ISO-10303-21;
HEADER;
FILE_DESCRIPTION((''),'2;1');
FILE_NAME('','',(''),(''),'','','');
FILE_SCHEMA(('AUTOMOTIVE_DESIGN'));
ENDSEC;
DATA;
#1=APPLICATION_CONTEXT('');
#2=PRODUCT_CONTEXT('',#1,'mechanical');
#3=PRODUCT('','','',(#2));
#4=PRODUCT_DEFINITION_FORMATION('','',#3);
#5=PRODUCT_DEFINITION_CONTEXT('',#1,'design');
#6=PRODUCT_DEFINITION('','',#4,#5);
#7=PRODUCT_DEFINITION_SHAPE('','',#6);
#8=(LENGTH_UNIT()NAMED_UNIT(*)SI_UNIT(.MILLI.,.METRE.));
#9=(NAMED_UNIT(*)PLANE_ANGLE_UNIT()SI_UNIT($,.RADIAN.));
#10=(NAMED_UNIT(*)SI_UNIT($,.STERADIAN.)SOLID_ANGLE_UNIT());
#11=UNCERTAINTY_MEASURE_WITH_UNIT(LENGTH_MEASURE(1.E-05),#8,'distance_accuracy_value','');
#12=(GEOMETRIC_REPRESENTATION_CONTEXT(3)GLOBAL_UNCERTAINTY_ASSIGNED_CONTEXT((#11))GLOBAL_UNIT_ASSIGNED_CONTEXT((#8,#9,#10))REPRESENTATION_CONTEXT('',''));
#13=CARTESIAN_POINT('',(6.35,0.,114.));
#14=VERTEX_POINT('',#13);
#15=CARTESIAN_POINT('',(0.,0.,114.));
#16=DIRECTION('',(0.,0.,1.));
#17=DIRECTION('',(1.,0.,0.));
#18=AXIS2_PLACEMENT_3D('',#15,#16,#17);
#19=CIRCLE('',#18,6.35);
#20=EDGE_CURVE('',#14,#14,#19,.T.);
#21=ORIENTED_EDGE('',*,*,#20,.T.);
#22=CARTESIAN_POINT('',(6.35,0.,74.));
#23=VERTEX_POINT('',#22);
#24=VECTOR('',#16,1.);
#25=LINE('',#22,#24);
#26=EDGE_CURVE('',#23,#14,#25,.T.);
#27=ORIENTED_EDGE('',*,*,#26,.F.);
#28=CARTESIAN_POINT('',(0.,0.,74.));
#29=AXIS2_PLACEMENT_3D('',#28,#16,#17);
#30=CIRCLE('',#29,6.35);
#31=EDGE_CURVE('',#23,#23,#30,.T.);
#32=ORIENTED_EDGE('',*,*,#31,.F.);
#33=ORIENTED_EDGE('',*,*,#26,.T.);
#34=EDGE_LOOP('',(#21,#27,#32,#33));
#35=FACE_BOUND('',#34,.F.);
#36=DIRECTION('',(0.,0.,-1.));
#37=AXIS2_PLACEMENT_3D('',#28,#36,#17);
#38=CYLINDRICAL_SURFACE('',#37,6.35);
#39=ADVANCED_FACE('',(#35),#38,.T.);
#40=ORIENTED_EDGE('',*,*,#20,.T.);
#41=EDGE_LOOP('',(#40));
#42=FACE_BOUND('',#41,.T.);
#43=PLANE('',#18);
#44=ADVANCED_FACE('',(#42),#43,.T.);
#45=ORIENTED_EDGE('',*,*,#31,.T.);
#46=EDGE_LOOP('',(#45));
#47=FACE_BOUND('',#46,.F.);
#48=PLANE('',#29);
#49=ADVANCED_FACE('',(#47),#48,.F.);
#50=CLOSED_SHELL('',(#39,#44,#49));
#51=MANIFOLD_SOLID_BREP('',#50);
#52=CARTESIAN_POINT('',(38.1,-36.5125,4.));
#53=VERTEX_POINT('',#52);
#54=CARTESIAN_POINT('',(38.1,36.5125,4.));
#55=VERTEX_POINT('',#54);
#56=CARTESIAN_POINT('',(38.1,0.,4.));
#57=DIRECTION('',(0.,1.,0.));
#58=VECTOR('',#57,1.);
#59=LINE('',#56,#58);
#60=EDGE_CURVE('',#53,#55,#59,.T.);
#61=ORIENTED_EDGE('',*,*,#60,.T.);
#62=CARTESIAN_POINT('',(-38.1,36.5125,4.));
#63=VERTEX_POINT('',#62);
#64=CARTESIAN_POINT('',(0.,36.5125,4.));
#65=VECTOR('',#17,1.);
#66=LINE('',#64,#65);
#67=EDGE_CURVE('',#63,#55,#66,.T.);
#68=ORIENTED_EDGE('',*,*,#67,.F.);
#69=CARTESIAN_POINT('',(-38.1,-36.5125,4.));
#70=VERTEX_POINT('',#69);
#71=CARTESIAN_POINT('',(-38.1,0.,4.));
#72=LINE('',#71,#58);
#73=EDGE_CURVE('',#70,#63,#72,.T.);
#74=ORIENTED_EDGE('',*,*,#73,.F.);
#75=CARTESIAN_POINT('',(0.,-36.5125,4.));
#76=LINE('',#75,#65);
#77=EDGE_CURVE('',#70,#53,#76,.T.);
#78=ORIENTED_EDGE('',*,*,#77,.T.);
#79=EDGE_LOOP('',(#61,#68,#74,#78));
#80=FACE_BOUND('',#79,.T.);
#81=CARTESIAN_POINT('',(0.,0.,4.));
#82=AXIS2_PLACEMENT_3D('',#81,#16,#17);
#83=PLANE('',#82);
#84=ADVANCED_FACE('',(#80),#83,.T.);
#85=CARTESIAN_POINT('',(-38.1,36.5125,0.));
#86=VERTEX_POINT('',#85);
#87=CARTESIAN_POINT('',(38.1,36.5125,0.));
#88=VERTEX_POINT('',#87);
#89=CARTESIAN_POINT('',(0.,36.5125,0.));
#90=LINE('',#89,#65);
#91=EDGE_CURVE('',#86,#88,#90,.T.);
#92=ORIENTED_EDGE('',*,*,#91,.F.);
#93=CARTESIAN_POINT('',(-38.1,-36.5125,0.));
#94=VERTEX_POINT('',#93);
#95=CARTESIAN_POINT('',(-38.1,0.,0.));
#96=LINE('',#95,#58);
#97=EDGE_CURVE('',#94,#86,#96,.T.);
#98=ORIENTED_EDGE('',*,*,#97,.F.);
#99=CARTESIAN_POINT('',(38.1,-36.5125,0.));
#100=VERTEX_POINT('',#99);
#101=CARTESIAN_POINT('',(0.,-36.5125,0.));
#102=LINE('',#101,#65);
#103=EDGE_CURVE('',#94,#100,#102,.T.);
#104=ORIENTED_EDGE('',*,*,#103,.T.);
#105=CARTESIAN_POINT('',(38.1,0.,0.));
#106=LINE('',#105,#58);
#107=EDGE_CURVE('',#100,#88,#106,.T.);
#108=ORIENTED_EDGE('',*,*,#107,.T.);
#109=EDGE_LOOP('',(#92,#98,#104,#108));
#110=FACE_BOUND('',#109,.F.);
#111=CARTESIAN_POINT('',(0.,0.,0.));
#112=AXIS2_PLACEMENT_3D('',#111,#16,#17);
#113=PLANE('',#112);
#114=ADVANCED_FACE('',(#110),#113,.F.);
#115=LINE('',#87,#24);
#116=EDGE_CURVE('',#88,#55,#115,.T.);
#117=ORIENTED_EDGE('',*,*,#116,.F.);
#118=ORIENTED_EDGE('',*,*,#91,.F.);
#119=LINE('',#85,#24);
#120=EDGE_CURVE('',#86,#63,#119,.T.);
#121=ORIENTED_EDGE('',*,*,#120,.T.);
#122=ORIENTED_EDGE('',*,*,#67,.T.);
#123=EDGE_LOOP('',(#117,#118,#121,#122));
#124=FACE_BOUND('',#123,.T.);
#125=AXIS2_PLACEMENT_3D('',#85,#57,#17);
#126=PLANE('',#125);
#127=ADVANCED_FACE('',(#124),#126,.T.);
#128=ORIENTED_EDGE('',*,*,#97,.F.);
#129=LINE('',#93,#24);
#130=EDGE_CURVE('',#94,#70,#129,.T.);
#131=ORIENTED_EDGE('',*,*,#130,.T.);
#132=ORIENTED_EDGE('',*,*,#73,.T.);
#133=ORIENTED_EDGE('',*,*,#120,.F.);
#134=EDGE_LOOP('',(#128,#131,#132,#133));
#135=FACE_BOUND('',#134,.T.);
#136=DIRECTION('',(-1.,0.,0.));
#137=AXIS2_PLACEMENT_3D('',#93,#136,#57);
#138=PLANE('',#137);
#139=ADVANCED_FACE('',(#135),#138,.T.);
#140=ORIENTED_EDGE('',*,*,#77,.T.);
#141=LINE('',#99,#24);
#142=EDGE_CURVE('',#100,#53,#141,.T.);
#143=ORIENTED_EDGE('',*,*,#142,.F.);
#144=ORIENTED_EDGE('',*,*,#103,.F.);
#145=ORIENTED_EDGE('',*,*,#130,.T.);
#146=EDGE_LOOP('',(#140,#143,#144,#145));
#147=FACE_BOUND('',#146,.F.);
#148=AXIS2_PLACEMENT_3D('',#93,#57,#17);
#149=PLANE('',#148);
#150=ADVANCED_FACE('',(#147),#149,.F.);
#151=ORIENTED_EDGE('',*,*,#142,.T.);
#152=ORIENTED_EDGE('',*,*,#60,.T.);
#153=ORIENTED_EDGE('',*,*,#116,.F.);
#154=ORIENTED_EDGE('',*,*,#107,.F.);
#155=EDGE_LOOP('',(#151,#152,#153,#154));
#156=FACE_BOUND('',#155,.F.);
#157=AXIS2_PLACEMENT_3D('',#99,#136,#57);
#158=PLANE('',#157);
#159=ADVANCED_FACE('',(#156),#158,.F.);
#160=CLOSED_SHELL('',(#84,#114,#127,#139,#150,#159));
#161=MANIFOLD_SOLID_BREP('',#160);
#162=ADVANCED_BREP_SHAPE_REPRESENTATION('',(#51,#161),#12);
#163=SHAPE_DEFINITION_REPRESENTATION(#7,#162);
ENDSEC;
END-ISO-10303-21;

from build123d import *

# Parameters (mm, degrees)
F0_W     = 76.2
F0_H     = 73.025
F1_DEPTH = 4
F3_R     = 6.35
F4_DEPTH = 40


with BuildPart() as f1:
    # F0 (on Top) → F1 (new body)
    with BuildSketch(Plane.XY):
        Rectangle(F0_W, F0_H)
    extrude(amount=F1_DEPTH)


with BuildPart() as f4:
    # F3 (on offset) → F4 (new body)
    with BuildSketch(Plane.XY.offset(74)):
        Circle(F3_R)
    extrude(amount=F4_DEPTH)


solid = Compound([f1.part, f4.part])
